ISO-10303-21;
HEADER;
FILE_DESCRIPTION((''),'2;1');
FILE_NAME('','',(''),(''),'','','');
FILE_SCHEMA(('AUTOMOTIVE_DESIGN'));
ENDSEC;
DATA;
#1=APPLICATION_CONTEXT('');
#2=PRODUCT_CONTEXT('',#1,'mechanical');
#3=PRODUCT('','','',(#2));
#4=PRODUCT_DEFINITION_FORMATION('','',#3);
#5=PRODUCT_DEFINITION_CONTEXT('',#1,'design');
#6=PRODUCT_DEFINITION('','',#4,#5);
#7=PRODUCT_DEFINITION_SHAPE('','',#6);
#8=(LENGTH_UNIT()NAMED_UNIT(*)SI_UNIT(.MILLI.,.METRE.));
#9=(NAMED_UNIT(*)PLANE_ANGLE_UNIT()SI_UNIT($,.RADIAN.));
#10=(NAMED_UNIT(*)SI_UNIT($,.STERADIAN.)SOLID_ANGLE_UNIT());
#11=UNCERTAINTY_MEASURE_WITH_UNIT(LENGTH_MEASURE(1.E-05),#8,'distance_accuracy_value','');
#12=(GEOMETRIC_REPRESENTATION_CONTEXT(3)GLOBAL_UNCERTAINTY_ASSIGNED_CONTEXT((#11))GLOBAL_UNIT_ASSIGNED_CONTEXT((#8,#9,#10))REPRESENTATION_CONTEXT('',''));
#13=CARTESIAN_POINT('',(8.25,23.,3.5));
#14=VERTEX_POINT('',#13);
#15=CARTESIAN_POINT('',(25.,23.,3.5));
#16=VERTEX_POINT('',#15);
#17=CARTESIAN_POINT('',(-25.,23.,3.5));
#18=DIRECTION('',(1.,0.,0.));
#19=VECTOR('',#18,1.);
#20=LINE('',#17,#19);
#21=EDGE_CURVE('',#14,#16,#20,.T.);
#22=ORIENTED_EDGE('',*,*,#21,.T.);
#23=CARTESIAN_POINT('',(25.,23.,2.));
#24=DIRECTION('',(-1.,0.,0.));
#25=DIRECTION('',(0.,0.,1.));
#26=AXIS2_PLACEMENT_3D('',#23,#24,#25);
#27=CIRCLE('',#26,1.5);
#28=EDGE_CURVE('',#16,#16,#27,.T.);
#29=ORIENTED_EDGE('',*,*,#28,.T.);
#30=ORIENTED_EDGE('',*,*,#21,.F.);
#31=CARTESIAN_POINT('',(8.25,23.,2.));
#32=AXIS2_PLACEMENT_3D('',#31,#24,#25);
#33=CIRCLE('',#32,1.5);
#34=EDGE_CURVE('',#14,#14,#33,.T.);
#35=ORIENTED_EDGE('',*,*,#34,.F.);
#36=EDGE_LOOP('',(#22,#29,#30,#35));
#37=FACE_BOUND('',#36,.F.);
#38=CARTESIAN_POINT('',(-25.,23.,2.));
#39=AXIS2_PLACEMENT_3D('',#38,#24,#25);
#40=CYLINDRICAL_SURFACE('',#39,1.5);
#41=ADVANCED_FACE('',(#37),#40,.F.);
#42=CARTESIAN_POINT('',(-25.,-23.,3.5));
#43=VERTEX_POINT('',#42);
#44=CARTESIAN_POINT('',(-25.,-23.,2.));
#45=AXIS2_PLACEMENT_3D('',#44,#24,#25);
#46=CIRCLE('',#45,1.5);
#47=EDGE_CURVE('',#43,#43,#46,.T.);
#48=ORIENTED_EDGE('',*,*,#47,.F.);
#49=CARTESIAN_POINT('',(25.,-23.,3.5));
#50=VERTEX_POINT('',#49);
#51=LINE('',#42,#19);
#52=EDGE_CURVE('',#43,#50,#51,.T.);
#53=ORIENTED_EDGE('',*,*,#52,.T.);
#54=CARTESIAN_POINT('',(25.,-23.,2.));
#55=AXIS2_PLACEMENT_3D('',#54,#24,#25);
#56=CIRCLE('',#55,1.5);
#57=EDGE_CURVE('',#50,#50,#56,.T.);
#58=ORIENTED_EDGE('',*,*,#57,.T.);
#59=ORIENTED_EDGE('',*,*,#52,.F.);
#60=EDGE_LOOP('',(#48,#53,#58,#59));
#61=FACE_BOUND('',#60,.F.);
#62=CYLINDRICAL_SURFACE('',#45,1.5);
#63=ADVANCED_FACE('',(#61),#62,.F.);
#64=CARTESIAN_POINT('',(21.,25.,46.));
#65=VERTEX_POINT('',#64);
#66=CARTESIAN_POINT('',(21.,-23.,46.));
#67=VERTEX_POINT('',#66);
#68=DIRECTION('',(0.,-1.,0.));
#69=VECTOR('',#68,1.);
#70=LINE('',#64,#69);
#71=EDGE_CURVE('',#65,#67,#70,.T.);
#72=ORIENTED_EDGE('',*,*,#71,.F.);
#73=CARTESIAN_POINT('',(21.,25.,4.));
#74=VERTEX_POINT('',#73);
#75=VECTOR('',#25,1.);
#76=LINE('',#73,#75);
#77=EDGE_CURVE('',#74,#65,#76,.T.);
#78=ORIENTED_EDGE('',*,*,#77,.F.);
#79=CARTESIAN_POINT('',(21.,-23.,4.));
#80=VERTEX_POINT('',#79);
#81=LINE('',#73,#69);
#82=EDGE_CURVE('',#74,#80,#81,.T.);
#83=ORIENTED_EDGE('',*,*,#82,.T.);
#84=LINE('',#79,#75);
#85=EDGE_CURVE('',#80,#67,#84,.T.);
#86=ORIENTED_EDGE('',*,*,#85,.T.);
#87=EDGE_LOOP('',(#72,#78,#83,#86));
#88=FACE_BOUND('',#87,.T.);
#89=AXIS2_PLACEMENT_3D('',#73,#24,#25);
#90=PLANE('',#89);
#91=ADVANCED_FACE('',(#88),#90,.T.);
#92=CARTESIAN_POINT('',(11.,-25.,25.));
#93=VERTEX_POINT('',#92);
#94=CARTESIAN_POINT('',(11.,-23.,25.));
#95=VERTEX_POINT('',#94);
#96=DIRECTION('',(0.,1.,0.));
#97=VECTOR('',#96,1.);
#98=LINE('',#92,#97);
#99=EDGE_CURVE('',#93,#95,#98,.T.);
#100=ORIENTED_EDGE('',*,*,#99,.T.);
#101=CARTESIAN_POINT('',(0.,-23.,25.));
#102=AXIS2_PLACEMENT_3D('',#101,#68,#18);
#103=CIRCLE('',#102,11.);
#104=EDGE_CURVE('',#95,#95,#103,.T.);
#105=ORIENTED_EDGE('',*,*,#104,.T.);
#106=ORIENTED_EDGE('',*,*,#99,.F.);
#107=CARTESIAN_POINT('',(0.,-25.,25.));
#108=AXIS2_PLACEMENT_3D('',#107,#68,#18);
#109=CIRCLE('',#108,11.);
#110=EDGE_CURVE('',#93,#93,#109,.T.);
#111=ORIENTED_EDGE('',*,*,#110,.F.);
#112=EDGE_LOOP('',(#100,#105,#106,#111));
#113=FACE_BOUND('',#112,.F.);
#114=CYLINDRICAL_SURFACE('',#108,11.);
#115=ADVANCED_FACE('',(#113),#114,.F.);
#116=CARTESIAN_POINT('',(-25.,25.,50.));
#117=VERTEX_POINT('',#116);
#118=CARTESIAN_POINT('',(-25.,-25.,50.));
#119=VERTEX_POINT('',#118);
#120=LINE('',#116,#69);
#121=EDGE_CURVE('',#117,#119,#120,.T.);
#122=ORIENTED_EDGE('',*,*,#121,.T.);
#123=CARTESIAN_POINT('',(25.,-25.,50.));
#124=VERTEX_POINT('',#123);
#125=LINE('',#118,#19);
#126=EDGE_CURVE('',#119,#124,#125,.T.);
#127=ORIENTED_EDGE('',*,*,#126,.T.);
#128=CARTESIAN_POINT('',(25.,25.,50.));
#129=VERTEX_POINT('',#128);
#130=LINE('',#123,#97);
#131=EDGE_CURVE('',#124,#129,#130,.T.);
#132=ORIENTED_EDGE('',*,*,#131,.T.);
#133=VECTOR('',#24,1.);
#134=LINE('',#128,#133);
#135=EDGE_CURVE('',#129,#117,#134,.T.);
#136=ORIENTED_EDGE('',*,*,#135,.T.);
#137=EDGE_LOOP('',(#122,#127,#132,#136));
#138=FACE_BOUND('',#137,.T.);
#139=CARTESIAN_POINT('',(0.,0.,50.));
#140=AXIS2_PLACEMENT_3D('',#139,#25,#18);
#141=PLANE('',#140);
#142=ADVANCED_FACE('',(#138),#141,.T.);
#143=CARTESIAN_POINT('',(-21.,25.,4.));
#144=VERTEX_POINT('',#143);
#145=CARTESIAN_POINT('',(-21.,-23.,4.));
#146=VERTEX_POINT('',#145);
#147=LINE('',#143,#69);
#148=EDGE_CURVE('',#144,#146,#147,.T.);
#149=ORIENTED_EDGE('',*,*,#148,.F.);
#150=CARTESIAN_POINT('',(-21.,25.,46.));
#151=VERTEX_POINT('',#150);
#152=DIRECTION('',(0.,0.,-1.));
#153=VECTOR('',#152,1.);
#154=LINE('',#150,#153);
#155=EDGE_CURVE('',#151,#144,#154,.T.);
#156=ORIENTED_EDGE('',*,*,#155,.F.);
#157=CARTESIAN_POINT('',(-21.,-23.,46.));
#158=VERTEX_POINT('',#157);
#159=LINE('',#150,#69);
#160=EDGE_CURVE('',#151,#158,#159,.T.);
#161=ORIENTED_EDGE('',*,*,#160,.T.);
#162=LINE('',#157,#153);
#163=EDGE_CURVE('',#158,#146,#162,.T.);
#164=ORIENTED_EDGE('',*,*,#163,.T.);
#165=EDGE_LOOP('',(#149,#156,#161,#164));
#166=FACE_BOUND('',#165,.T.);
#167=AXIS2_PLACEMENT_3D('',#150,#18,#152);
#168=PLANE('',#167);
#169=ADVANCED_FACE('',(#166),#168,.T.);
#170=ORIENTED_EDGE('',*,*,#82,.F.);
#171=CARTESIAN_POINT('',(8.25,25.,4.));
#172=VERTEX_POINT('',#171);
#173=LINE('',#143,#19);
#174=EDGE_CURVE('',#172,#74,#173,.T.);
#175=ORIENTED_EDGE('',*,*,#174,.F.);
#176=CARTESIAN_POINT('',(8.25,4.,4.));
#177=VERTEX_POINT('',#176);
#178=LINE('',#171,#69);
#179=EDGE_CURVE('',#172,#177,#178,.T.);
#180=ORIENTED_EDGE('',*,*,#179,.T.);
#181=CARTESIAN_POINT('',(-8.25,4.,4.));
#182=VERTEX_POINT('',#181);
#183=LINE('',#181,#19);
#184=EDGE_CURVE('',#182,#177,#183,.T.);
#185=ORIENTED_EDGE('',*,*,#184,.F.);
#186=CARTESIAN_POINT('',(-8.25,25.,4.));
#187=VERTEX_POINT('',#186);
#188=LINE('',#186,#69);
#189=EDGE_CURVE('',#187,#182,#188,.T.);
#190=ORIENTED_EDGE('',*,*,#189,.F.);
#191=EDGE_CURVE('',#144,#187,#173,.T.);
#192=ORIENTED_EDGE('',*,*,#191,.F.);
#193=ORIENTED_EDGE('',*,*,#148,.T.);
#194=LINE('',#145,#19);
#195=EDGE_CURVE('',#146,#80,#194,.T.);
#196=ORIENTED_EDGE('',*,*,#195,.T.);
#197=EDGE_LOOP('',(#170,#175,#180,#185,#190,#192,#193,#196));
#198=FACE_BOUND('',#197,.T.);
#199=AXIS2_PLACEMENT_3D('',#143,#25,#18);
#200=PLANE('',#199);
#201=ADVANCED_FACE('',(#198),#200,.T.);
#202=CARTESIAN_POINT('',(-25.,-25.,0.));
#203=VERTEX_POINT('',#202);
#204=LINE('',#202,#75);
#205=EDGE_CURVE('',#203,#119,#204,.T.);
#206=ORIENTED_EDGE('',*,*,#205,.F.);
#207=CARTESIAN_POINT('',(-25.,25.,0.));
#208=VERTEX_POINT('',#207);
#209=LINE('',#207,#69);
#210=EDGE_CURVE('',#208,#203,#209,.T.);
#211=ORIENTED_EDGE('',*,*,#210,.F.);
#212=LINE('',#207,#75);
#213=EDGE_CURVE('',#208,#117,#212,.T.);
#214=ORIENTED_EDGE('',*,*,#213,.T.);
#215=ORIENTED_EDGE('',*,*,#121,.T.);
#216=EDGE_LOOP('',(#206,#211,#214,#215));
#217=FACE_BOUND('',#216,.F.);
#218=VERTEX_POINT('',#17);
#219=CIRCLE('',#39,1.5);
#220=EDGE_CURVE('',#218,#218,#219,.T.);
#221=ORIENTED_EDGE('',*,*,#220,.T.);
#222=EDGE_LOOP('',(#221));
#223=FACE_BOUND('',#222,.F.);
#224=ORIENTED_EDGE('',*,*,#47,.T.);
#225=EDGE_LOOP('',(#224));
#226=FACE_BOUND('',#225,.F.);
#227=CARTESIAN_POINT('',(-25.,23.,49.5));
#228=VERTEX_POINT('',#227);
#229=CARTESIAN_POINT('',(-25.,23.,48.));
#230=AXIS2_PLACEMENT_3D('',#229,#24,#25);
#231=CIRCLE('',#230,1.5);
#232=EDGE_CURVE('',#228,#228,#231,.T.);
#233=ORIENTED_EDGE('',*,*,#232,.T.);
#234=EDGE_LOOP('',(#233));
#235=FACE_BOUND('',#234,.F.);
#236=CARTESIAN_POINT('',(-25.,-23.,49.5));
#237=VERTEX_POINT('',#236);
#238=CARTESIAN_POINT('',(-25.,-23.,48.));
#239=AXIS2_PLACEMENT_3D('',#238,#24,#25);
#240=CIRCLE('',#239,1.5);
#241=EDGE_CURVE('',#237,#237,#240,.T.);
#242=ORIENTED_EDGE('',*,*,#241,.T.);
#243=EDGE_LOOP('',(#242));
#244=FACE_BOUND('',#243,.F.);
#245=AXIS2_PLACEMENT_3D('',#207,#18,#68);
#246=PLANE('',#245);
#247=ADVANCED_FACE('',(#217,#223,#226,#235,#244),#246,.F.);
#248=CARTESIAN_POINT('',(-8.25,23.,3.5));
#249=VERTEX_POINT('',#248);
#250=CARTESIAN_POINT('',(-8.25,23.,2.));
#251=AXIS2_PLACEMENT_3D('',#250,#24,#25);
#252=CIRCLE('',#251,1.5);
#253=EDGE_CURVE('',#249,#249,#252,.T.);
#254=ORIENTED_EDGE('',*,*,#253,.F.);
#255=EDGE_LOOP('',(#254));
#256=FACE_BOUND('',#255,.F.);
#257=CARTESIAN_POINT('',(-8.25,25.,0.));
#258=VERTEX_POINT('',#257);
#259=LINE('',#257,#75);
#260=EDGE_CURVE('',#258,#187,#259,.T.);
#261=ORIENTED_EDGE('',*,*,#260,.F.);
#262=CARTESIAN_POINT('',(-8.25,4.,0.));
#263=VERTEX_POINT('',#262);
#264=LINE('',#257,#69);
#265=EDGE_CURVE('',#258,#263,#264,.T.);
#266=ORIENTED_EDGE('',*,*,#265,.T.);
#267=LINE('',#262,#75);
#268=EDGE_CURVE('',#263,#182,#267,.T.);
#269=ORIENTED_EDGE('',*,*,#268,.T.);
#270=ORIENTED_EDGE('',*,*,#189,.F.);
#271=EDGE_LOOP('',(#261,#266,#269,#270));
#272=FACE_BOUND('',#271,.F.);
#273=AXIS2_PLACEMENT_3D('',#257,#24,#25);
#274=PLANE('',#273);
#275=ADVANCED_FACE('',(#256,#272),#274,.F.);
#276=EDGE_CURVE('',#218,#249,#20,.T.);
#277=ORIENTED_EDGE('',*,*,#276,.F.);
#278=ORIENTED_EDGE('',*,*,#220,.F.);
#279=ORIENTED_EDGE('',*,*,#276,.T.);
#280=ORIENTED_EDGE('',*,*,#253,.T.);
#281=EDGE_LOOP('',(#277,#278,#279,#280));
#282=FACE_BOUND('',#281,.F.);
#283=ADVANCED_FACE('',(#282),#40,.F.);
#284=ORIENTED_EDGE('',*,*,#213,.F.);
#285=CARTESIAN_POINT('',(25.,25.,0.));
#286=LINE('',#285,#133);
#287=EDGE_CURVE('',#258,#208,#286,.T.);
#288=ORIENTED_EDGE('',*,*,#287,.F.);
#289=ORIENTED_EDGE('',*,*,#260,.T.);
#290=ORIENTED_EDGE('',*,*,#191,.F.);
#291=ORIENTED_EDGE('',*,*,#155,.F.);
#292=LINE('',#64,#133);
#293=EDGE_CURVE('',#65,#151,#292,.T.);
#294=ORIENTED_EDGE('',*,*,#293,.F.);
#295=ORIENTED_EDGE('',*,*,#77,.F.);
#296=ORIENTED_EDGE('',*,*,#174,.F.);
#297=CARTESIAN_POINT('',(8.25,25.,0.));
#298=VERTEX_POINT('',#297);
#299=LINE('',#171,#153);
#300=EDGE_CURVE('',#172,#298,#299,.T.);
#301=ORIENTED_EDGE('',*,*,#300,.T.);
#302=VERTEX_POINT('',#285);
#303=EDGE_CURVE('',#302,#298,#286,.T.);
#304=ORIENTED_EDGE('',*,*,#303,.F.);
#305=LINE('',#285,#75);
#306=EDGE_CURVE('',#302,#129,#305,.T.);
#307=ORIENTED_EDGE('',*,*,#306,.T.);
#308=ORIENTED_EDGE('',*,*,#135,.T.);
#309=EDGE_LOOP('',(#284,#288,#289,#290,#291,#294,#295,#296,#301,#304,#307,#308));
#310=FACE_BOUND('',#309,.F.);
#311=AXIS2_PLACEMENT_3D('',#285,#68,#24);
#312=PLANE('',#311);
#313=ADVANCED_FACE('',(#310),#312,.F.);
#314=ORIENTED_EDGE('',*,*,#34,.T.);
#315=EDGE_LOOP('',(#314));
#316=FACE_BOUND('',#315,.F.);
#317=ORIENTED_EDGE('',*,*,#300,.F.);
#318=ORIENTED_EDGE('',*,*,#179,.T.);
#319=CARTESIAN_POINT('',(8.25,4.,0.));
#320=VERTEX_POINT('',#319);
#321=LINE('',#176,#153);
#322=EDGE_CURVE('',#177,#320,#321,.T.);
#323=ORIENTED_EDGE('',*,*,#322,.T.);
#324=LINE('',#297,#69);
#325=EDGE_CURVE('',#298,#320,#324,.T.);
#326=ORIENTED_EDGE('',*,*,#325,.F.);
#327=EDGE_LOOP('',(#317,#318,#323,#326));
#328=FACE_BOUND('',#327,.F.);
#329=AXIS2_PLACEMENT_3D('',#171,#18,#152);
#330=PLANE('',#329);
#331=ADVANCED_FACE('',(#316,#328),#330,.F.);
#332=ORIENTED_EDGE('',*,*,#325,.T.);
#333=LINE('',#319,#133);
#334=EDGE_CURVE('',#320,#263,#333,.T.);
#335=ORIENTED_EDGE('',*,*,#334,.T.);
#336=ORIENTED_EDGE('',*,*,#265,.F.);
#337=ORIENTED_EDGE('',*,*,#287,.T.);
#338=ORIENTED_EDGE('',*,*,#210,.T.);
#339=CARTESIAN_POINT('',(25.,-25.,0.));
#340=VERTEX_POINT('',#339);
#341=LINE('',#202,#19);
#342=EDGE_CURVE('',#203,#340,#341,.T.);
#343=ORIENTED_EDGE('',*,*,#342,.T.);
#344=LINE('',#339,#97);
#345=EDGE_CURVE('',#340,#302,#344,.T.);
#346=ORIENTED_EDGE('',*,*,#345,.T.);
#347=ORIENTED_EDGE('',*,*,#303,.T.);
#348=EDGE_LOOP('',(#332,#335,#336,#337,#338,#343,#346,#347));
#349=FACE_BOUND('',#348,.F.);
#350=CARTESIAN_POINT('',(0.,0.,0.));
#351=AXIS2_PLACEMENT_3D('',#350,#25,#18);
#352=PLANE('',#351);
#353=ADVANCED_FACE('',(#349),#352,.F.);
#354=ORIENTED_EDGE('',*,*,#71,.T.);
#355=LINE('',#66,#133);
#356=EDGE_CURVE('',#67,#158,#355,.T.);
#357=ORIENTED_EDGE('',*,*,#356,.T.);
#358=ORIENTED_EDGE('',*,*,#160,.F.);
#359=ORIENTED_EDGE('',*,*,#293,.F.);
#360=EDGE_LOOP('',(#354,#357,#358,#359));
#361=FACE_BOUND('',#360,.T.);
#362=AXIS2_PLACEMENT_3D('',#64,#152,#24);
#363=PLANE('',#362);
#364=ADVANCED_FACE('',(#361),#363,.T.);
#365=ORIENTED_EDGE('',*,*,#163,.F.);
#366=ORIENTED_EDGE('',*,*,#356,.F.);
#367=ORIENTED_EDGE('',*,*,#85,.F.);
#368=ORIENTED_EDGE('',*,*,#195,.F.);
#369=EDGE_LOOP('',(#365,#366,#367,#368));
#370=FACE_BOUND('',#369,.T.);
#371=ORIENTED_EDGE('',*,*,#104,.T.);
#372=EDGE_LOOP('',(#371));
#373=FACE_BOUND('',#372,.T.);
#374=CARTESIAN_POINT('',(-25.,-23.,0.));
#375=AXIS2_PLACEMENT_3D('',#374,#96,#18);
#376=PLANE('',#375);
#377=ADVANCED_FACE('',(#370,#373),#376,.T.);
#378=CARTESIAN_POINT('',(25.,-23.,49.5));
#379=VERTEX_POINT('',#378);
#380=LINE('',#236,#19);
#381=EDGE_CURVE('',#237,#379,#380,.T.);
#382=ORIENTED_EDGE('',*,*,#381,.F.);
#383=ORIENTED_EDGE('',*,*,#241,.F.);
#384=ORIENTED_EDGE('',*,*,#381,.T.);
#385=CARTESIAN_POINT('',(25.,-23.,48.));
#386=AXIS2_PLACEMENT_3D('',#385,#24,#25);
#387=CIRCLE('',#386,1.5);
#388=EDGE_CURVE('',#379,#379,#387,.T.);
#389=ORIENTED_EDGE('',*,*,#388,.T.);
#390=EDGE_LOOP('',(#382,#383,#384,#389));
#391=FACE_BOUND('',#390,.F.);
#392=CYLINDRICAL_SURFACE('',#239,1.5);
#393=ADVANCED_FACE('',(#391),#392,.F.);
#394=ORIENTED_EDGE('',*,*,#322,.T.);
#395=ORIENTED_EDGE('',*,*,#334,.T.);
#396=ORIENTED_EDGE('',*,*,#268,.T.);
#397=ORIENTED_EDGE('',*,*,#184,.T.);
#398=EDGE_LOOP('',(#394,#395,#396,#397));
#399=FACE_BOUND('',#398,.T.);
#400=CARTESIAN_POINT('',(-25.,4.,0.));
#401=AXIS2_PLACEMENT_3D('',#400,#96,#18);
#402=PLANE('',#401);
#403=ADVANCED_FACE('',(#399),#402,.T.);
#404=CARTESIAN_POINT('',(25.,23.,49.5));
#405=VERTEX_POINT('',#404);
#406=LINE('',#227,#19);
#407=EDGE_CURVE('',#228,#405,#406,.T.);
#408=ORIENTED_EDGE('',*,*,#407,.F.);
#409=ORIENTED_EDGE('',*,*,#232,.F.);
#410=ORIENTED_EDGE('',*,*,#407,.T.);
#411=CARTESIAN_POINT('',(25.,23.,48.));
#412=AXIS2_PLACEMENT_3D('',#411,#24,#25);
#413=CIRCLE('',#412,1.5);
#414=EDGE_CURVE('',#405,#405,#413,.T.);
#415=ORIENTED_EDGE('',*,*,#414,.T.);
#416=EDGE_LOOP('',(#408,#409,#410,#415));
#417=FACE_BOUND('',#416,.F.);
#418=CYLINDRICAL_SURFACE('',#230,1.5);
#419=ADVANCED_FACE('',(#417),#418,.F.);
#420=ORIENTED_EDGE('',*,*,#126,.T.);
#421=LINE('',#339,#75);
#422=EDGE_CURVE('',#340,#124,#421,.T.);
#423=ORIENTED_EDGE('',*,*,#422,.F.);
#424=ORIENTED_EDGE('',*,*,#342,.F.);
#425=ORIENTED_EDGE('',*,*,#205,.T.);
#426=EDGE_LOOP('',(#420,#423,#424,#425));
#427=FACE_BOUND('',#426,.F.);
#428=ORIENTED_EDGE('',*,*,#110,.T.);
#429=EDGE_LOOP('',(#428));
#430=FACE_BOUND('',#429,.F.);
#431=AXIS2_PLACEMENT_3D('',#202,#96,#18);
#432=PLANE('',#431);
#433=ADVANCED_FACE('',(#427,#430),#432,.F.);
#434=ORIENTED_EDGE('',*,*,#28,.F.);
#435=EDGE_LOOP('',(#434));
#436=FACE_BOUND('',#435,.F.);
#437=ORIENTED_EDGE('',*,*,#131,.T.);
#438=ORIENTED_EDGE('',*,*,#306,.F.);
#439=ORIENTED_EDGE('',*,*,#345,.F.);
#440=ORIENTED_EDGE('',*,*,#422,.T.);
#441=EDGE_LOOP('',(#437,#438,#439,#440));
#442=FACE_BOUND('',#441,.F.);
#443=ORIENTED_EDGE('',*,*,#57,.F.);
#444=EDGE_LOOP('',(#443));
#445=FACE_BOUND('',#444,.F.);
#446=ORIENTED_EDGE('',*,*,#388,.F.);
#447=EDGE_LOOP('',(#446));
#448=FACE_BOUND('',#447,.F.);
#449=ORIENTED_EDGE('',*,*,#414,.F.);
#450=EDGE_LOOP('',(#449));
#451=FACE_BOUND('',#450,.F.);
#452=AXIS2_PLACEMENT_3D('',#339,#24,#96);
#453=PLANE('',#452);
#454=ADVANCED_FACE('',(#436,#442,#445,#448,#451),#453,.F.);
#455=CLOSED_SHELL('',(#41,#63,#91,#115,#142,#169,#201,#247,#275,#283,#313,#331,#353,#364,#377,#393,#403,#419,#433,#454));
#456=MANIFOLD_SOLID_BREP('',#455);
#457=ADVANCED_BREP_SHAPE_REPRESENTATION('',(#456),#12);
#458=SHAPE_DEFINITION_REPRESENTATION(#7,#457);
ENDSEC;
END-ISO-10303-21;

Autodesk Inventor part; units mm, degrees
ref_plane "YZ Plane" through (0, 0, 0) normal (1, 0, 0) x (0, 1, 0)
ref_plane "XZ Plane" through (0, 0, 0) normal (0, 1, 0) x (-1, 0, 0)
ref_plane "XY Plane" through (0, 0, 0) normal (0, 0, 1) x (1, 0, 0)
sketch "Sketch1" plane through (0, 0, 0) normal (0, 0, 1) x (1, 0, 0)
  line L0 (-25, -25) -> (25, -25)
  line L1 (25, -25) -> (25, 25)
  line L2 (25, 25) -> (-25, 25)
  line L3 (-25, 25) -> (-25, -25)
  line L4 (-25, -25) -> (25, 25) construction
  line L5 (25, -25) -> (-25, 25) construction
  point P0 (0, 0)
  dimension "d0" = 50
  dimension "d1" = 50
extrude "Main Block" add sketch "Sketch1" along normal blind 50
sketch "Sketch2" plane through (-25, 25, 0) normal (0, 1, 0) x (1, 0, 0)
  line L0 (0, -50) -> (50, -50) construction
  line L1 (0, 0) -> (50, 0) construction
  line L2 (50, -50) -> (0, 0) construction
  line L3 (46, -46) -> (4, -46)
  line L4 (4, -46) -> (4, -4)
  line L5 (4, -4) -> (46, -4)
  line L6 (46, -4) -> (46, -46)
  line L7 (46, -46) -> (4, -4) construction
  line L8 (4, -46) -> (46, -4) construction
  line L9 (25, -25) -> (25, -46) construction
  point P0 (25, 0)
  dimension "d4" = 42
  dimension "d5" = 42
extrude "Motor Void" cut sketch "Sketch2" against normal blind 48
sketch "Sketch3" plane through (-25, 25, 0) normal (0, 1, 0) x (1, 0, 0)
  line L0 (25, 0) -> (25, -4) construction
  line L1 (4, -4) -> (46, -4) construction
  line L2 (16.75, -4) -> (33.25, -4)
  line L3 (33.25, -4) -> (33.25, 0)
  line L4 (33.25, 0) -> (16.75, 0)
  line L5 (16.75, 0) -> (16.75, -4)
  line L6 (16.75, -4) -> (33.25, 0) construction
  line L7 (33.25, -4) -> (16.75, 0) construction
  point P0 (25, -2)
  dimension "d8" = 16.5
  dimension "d9" = 4
extrude "Cable Void" cut sketch "Sketch3" against normal blind 21
sketch "Sketch4" plane through (-25, -25, 0) normal (0, -1, 0) x (1, 0, 0)
  line L0 (0, 0) -> (0, 50) construction
  line L1 (50, 50) -> (0, 50) construction
  line L2 (0, 0) -> (50, 50) construction
  circle A0 centre (25, 25) radius 11
  point P0 (25, 0)
  dimension "d12" = 22
extrude "Raised Void" cut sketch "Sketch4" against normal blind 2
sketch "Sketch5" plane through (-25, -25, 0) normal (-1, 0, 0) x (0, 0, 1)
  line L0 (0, 0) -> (0, 50) construction
  line L1 (4, 50) -> (4, 2) construction
  line L2 (0, 50) -> (4, 50) construction
  line L3 (0, 50) -> (50, 50) construction
  line L4 (46, 2) -> (4, 2) construction
  line L5 (4, 50) -> (4, 2) construction
  line L6 (4, 2) -> (46, 2) construction
  line L7 (46, 50) -> (46, 2) construction
  line L8 (46, 2) -> (46, 50) construction
  line L9 (50, 0) -> (50, 50) construction
  line L10 (46, 50) -> (50, 50) construction
  line L11 (50, 50) -> (48, 50) construction
  line L12 (48, 50) -> (48, 48) construction
  circle A0 centre (48, 48) radius 1.5
  line L13 (48, 0) -> (48, 2) construction
  line L14 (48, 0) -> (50, 0) construction
  line L15 (0, 50) -> (4, 50) construction
  line L16 (2, 50) -> (2, 48) construction
  line L17 (0, 0) -> (50, 0) construction
  line L18 (2, 0) -> (2, 2) construction
  line L19 (2, 0) -> (4, 0) construction
  circle A1 centre (2, 48) radius 1.5
  circle A2 centre (2, 2) radius 1.5
  circle A3 centre (48, 2) radius 1.5
  point P0 (0, 25)
  dimension "d15" = 2
  dimension "d16" = 3
  dimension "d17" = 2
  dimension "d18" = 90
  dimension "d19" = 2
  dimension "d20" = 2
  dimension "d21" = 90
  dimension "d22" = 3
  dimension "d23" = 3
  dimension "d24" = 3
  dimension "d25" = 2
  dimension "d26" = 48
  dimension "d27" = 2
extrude "Extrusion5" cut sketch "Sketch5" against normal blind 50
properties part number "50x50Motor"
